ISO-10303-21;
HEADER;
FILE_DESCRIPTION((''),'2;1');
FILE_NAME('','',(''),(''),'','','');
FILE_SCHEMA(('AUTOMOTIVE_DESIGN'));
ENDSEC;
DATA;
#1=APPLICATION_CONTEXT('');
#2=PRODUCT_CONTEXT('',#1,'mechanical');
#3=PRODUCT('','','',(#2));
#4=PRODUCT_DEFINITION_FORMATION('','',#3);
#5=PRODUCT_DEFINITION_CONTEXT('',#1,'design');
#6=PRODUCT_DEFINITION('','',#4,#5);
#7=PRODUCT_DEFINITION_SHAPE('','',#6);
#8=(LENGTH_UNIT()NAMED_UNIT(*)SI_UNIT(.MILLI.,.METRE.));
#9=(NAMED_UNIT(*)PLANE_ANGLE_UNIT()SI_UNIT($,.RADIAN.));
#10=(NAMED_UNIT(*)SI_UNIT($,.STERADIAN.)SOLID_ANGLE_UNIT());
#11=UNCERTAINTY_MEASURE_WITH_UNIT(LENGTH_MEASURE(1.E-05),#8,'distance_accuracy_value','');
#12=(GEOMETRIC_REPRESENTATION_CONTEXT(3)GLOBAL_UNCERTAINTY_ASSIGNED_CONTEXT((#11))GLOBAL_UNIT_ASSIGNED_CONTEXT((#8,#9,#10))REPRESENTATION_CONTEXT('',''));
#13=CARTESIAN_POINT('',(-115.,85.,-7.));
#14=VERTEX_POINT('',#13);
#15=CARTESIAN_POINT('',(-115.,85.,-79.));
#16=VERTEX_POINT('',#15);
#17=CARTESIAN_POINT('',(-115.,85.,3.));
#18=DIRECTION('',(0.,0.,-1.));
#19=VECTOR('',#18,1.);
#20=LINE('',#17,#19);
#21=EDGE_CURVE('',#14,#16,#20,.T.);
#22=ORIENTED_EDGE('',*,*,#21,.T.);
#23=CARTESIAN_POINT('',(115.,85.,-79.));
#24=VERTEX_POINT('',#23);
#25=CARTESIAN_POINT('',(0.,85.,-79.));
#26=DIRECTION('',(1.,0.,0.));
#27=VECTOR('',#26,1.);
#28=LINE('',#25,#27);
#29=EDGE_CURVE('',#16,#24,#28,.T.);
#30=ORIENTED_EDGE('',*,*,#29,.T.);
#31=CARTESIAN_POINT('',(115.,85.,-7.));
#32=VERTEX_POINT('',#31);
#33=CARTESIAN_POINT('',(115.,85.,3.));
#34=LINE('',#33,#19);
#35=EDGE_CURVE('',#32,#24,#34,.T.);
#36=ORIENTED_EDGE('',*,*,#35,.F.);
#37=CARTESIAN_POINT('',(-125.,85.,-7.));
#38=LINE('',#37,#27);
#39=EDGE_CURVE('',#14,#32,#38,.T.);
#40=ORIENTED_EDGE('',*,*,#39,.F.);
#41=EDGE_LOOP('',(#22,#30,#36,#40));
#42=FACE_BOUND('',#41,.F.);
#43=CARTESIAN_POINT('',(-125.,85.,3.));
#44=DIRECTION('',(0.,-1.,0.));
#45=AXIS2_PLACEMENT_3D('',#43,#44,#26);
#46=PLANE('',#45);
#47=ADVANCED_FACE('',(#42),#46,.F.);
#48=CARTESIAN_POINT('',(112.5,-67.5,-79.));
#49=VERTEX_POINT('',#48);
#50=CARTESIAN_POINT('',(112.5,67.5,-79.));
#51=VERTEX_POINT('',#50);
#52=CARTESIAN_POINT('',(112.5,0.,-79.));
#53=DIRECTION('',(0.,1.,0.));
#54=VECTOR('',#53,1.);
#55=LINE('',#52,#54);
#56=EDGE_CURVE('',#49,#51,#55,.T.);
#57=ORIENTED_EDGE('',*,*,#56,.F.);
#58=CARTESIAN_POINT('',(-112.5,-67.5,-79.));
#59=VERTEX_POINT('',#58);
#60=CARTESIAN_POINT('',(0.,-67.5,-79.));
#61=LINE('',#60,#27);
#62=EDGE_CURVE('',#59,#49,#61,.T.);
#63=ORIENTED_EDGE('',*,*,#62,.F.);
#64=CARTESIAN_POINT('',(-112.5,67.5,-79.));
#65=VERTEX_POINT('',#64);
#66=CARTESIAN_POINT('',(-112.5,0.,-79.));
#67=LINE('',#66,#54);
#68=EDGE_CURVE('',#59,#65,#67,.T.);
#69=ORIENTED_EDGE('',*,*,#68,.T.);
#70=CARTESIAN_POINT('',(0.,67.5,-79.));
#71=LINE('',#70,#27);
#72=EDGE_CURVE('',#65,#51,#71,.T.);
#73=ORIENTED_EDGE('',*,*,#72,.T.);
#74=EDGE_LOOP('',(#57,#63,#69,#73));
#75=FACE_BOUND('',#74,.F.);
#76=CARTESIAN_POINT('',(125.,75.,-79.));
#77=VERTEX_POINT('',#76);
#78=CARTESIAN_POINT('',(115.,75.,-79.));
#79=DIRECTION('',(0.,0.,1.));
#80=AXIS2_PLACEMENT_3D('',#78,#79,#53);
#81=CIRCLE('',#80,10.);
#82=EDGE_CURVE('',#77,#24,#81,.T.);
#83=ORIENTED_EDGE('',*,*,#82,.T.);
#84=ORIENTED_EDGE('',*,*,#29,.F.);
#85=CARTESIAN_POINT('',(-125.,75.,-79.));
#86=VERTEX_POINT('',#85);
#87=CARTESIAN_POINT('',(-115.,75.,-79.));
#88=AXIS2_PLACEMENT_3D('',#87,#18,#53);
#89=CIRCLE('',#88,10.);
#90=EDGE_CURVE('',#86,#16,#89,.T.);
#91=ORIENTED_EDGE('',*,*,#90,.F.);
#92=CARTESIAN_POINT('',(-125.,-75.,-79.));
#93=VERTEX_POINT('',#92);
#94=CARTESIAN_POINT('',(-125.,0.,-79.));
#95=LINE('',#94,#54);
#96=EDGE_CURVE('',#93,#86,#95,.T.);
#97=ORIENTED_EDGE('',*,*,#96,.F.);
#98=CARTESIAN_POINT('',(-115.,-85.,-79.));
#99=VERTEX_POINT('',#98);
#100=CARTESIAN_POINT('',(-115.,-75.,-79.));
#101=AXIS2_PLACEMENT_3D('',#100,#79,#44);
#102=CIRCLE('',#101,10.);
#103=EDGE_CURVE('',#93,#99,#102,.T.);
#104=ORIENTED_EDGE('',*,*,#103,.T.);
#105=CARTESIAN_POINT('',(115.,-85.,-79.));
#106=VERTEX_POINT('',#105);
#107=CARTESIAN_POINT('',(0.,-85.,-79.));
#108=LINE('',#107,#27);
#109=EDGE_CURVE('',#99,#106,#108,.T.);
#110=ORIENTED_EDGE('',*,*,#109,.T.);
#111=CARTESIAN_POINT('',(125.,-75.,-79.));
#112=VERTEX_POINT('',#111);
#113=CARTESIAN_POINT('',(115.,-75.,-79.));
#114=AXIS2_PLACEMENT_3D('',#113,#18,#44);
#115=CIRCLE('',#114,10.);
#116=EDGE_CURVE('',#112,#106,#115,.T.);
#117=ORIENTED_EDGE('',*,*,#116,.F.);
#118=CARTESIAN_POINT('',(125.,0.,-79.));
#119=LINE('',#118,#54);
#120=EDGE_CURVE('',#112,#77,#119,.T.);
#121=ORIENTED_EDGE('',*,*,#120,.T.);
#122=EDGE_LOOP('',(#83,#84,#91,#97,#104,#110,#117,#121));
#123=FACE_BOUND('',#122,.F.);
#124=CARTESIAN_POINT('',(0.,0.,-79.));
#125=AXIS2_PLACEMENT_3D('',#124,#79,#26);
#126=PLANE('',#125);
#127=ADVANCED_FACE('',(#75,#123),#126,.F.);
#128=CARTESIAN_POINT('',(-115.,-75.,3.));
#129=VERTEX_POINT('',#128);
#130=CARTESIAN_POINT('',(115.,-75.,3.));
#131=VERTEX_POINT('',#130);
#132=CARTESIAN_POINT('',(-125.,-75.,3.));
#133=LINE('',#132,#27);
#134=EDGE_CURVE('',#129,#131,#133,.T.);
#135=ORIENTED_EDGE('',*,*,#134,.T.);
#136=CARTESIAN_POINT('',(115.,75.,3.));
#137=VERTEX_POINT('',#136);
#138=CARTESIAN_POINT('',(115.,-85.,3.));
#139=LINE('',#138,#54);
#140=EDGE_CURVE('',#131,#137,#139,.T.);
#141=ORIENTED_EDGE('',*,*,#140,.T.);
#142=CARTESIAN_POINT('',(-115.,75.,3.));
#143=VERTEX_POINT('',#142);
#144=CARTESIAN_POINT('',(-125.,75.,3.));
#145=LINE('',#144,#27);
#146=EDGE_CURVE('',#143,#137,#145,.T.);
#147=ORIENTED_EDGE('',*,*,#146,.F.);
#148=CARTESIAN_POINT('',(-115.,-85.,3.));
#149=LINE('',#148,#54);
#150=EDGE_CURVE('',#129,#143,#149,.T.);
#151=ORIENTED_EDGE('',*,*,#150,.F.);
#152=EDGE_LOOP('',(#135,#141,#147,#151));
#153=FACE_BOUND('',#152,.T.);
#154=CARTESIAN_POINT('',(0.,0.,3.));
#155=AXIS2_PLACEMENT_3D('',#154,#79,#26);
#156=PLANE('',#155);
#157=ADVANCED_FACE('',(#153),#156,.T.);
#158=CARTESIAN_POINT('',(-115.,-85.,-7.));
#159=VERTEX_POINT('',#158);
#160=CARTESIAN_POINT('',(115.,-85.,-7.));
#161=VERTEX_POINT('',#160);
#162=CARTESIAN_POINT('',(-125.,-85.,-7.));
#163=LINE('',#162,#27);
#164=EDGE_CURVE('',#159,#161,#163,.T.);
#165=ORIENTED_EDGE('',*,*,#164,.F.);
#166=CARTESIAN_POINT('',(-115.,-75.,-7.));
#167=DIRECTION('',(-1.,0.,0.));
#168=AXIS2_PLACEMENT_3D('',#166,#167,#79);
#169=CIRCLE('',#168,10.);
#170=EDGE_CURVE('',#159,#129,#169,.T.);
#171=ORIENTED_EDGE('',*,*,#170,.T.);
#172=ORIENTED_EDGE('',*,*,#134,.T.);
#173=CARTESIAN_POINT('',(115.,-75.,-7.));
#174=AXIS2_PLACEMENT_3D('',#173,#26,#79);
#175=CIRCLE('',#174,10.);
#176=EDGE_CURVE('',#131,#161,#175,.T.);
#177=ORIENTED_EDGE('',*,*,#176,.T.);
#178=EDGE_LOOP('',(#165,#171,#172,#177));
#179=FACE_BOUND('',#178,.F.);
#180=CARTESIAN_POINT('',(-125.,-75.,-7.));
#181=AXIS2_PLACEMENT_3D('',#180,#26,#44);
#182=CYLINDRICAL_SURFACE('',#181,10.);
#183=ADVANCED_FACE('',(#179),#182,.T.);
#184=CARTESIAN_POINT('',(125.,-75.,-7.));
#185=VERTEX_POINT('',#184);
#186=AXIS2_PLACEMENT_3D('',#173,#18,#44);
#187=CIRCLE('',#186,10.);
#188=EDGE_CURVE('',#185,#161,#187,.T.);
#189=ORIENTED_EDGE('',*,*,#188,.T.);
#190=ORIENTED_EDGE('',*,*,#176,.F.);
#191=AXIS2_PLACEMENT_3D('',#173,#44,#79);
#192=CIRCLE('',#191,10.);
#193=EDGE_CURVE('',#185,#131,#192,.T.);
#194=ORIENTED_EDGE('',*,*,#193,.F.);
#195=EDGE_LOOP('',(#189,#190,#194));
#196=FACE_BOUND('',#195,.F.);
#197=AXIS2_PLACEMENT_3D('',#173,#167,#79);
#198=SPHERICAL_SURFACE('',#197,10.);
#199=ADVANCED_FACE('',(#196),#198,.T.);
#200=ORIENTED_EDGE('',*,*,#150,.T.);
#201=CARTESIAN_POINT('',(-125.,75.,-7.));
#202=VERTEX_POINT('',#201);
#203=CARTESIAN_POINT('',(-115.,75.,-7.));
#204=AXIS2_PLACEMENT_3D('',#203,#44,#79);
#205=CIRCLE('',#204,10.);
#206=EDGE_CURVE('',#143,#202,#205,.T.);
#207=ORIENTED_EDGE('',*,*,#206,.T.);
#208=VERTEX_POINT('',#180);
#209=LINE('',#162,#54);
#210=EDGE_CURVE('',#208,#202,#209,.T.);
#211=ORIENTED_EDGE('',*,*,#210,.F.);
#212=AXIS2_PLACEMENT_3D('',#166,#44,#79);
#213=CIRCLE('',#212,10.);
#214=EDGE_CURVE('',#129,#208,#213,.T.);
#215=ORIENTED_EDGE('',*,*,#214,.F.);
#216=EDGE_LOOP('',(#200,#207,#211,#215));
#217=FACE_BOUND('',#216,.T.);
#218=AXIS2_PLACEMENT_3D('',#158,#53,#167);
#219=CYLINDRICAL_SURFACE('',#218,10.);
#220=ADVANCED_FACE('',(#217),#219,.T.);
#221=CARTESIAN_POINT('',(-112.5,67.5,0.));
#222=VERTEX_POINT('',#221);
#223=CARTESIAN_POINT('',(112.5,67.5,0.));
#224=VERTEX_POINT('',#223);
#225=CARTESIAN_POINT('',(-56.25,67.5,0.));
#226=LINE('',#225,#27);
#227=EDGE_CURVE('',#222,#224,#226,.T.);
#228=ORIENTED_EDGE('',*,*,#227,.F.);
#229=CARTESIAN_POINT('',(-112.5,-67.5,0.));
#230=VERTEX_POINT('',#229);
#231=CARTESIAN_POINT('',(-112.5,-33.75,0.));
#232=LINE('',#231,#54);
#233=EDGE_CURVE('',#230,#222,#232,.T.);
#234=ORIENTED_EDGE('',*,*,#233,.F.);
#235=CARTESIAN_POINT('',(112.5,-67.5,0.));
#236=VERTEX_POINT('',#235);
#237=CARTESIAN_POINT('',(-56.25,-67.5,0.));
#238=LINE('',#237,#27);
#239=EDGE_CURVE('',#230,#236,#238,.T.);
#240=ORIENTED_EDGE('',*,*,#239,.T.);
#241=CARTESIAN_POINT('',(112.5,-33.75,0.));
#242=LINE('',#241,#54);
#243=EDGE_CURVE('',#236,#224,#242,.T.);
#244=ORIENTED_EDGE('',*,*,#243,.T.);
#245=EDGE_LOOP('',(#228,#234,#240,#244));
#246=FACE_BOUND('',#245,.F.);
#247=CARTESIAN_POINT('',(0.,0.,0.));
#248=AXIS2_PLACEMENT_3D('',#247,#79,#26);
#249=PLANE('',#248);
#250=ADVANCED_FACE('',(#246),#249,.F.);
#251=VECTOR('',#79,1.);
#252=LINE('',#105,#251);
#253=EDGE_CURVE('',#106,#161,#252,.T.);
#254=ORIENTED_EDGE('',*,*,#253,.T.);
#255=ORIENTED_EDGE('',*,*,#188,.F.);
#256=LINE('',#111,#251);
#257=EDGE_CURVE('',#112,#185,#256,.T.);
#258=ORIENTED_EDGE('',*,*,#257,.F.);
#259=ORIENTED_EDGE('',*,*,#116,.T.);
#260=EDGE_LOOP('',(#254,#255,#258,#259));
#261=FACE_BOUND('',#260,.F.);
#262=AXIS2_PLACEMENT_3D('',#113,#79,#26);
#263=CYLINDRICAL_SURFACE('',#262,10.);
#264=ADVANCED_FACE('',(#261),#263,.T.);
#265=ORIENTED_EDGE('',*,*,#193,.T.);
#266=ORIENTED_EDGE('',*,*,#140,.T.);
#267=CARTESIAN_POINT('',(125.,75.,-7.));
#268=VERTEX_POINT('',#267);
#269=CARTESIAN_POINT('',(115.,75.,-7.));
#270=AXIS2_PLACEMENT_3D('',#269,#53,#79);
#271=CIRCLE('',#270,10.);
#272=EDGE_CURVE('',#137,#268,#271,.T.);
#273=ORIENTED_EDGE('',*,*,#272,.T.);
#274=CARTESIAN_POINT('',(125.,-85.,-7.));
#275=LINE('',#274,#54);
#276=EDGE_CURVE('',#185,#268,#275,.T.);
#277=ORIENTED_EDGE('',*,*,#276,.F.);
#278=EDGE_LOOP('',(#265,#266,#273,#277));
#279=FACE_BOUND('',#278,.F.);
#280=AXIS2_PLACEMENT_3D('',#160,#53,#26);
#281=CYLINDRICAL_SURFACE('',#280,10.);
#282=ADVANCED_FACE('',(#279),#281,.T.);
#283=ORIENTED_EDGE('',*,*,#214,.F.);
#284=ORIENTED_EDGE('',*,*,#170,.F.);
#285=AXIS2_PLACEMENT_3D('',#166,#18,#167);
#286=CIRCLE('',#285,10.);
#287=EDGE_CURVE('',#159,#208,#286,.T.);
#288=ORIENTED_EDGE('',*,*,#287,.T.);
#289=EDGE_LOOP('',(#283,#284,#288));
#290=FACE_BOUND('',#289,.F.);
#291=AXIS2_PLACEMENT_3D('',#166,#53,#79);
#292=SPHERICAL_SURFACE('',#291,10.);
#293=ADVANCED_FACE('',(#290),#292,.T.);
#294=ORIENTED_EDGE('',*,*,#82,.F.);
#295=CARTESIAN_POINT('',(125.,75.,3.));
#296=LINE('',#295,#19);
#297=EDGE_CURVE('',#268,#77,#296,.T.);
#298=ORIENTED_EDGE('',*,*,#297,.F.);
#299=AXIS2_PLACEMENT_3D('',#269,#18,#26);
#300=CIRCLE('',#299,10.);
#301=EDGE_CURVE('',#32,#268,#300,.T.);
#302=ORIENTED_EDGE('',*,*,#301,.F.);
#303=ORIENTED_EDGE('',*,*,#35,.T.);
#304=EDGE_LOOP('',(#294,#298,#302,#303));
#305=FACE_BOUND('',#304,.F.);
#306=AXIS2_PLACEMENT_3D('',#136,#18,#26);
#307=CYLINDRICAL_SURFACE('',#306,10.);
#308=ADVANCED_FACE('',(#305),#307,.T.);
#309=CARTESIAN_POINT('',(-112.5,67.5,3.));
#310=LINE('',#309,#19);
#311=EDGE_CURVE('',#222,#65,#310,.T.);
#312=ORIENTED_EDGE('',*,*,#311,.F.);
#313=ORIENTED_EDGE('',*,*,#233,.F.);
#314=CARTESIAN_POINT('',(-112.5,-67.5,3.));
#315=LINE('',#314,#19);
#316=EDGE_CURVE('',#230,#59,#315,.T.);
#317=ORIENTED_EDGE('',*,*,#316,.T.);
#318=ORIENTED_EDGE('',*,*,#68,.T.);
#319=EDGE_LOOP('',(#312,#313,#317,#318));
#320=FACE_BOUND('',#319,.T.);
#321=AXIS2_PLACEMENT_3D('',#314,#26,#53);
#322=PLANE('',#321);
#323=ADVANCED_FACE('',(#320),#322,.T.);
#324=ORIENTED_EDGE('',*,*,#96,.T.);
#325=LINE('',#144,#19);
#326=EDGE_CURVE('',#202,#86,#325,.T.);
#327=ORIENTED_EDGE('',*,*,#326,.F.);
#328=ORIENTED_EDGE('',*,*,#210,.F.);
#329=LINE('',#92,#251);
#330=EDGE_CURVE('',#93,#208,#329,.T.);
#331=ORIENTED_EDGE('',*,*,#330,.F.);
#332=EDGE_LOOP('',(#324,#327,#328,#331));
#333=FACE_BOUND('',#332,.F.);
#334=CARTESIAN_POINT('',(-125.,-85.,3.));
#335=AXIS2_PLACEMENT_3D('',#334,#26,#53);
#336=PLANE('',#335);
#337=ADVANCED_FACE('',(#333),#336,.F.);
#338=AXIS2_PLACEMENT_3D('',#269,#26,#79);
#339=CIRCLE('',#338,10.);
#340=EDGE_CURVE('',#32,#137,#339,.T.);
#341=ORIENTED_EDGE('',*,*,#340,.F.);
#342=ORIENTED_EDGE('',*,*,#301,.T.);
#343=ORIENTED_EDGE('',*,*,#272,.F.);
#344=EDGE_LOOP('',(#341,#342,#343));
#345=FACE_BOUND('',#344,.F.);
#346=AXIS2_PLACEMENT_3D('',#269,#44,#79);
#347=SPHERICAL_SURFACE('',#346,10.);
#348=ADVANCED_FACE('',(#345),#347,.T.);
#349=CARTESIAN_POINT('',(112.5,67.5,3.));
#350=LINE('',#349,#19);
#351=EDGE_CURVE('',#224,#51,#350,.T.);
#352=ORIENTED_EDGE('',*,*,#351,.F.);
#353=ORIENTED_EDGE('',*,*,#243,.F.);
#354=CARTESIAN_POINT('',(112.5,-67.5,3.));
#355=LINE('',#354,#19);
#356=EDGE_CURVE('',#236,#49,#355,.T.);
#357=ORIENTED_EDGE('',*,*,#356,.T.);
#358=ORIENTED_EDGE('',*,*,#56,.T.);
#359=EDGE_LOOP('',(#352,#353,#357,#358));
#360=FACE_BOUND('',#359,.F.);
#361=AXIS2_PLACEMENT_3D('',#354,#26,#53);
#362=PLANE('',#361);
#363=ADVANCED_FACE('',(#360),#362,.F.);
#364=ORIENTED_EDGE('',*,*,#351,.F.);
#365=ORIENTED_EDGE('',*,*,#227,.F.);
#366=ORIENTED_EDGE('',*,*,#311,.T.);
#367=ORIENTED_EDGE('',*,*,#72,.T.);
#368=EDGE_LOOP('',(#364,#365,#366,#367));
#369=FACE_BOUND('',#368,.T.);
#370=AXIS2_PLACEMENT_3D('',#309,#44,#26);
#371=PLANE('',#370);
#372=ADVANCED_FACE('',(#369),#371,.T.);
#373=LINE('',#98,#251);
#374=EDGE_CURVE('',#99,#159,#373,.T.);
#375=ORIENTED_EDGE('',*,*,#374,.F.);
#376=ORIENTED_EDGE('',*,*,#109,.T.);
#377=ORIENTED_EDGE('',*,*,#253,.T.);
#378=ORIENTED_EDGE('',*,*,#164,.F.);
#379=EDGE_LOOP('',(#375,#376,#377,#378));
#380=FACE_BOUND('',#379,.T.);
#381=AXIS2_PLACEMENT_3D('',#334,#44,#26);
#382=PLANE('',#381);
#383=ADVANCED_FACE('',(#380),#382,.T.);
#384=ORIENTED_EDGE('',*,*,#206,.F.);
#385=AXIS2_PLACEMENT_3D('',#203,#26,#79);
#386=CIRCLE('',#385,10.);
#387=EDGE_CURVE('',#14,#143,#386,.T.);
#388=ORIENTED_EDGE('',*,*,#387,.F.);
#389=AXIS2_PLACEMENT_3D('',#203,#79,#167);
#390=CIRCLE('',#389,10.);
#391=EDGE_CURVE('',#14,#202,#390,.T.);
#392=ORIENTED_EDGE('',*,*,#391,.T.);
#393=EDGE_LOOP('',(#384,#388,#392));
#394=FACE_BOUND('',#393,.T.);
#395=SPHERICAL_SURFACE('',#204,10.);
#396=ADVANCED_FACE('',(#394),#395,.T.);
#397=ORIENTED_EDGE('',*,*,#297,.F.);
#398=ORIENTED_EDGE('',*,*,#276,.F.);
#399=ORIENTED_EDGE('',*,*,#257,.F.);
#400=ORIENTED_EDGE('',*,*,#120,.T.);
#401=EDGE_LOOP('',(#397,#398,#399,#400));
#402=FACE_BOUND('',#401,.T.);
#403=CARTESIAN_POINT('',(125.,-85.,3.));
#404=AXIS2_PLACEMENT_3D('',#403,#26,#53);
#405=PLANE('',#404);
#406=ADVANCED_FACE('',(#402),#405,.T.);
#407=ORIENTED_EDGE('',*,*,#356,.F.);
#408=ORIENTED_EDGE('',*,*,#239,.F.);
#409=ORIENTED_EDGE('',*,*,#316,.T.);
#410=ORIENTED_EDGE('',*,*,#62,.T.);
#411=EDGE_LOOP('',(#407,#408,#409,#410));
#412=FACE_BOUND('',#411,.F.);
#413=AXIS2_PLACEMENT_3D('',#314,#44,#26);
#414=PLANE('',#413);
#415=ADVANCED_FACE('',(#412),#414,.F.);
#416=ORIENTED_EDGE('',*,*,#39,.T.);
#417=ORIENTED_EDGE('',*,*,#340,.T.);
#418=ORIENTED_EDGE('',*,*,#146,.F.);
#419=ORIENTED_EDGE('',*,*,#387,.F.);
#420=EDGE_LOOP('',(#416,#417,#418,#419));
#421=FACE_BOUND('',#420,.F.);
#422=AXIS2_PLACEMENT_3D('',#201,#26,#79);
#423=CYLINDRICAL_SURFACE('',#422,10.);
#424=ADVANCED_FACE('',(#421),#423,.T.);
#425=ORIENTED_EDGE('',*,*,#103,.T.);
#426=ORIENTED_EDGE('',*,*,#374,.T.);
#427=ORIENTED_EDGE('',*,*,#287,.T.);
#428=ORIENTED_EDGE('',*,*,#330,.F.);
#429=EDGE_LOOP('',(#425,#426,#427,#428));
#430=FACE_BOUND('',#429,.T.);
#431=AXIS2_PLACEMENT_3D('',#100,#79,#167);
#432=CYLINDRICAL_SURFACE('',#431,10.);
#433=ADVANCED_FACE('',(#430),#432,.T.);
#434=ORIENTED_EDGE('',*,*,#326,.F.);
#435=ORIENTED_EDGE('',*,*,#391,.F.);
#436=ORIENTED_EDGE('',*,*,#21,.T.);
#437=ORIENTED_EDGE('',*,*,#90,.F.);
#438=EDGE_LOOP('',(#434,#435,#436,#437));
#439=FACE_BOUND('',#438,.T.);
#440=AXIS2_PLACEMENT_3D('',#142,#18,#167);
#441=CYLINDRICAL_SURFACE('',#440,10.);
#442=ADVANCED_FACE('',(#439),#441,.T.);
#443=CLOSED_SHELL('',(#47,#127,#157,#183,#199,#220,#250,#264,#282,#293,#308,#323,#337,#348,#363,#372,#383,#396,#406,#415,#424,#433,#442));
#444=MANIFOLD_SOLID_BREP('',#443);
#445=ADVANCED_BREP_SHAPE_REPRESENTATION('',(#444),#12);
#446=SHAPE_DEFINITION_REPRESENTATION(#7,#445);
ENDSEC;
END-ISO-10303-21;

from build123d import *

# Parameters (mm, degrees)
F0_W     = 250
F0_H     = 170
F0_W_2   = 235
F0_H_2   = 150
F1_DEPTH = 3
F2_W     = 250
F2_H     = 170
F2_W_2   = 225
F2_H_2   = 135
F3_DEPTH = 82
F4_R     = 10


with BuildPart() as f1:
    # F0 (on Top) → F1 (new body)
    with BuildSketch(Plane.XY):
        Rectangle(F0_W, F0_H)
        Rectangle(F0_W_2, F0_H_2, mode=Mode.SUBTRACT)
        Rectangle(F0_W_2, F0_H_2)
    extrude(amount=F1_DEPTH)

    # F2 (on face) → F3 (join)
    with BuildSketch(Plane.XY.offset(3)):
        Rectangle(F2_W, F2_H)
        Rectangle(F2_W_2, F2_H_2, mode=Mode.SUBTRACT)
    extrude(amount=-F3_DEPTH)

    # F4
    f4_edges = [f1.edges().sort_by_distance(p)[0] for p in [
        (-125, 0, 3),
        (0, -85, 3),
        (125, 0, 3),
        (0, 85, 3),
        (125, -85, -38),
        (125, 85, -38),
        (-125, -85, -38),
        (-125, 85, -38),
    ]]
    fillet(f4_edges, radius=F4_R)


solid = f1.part
